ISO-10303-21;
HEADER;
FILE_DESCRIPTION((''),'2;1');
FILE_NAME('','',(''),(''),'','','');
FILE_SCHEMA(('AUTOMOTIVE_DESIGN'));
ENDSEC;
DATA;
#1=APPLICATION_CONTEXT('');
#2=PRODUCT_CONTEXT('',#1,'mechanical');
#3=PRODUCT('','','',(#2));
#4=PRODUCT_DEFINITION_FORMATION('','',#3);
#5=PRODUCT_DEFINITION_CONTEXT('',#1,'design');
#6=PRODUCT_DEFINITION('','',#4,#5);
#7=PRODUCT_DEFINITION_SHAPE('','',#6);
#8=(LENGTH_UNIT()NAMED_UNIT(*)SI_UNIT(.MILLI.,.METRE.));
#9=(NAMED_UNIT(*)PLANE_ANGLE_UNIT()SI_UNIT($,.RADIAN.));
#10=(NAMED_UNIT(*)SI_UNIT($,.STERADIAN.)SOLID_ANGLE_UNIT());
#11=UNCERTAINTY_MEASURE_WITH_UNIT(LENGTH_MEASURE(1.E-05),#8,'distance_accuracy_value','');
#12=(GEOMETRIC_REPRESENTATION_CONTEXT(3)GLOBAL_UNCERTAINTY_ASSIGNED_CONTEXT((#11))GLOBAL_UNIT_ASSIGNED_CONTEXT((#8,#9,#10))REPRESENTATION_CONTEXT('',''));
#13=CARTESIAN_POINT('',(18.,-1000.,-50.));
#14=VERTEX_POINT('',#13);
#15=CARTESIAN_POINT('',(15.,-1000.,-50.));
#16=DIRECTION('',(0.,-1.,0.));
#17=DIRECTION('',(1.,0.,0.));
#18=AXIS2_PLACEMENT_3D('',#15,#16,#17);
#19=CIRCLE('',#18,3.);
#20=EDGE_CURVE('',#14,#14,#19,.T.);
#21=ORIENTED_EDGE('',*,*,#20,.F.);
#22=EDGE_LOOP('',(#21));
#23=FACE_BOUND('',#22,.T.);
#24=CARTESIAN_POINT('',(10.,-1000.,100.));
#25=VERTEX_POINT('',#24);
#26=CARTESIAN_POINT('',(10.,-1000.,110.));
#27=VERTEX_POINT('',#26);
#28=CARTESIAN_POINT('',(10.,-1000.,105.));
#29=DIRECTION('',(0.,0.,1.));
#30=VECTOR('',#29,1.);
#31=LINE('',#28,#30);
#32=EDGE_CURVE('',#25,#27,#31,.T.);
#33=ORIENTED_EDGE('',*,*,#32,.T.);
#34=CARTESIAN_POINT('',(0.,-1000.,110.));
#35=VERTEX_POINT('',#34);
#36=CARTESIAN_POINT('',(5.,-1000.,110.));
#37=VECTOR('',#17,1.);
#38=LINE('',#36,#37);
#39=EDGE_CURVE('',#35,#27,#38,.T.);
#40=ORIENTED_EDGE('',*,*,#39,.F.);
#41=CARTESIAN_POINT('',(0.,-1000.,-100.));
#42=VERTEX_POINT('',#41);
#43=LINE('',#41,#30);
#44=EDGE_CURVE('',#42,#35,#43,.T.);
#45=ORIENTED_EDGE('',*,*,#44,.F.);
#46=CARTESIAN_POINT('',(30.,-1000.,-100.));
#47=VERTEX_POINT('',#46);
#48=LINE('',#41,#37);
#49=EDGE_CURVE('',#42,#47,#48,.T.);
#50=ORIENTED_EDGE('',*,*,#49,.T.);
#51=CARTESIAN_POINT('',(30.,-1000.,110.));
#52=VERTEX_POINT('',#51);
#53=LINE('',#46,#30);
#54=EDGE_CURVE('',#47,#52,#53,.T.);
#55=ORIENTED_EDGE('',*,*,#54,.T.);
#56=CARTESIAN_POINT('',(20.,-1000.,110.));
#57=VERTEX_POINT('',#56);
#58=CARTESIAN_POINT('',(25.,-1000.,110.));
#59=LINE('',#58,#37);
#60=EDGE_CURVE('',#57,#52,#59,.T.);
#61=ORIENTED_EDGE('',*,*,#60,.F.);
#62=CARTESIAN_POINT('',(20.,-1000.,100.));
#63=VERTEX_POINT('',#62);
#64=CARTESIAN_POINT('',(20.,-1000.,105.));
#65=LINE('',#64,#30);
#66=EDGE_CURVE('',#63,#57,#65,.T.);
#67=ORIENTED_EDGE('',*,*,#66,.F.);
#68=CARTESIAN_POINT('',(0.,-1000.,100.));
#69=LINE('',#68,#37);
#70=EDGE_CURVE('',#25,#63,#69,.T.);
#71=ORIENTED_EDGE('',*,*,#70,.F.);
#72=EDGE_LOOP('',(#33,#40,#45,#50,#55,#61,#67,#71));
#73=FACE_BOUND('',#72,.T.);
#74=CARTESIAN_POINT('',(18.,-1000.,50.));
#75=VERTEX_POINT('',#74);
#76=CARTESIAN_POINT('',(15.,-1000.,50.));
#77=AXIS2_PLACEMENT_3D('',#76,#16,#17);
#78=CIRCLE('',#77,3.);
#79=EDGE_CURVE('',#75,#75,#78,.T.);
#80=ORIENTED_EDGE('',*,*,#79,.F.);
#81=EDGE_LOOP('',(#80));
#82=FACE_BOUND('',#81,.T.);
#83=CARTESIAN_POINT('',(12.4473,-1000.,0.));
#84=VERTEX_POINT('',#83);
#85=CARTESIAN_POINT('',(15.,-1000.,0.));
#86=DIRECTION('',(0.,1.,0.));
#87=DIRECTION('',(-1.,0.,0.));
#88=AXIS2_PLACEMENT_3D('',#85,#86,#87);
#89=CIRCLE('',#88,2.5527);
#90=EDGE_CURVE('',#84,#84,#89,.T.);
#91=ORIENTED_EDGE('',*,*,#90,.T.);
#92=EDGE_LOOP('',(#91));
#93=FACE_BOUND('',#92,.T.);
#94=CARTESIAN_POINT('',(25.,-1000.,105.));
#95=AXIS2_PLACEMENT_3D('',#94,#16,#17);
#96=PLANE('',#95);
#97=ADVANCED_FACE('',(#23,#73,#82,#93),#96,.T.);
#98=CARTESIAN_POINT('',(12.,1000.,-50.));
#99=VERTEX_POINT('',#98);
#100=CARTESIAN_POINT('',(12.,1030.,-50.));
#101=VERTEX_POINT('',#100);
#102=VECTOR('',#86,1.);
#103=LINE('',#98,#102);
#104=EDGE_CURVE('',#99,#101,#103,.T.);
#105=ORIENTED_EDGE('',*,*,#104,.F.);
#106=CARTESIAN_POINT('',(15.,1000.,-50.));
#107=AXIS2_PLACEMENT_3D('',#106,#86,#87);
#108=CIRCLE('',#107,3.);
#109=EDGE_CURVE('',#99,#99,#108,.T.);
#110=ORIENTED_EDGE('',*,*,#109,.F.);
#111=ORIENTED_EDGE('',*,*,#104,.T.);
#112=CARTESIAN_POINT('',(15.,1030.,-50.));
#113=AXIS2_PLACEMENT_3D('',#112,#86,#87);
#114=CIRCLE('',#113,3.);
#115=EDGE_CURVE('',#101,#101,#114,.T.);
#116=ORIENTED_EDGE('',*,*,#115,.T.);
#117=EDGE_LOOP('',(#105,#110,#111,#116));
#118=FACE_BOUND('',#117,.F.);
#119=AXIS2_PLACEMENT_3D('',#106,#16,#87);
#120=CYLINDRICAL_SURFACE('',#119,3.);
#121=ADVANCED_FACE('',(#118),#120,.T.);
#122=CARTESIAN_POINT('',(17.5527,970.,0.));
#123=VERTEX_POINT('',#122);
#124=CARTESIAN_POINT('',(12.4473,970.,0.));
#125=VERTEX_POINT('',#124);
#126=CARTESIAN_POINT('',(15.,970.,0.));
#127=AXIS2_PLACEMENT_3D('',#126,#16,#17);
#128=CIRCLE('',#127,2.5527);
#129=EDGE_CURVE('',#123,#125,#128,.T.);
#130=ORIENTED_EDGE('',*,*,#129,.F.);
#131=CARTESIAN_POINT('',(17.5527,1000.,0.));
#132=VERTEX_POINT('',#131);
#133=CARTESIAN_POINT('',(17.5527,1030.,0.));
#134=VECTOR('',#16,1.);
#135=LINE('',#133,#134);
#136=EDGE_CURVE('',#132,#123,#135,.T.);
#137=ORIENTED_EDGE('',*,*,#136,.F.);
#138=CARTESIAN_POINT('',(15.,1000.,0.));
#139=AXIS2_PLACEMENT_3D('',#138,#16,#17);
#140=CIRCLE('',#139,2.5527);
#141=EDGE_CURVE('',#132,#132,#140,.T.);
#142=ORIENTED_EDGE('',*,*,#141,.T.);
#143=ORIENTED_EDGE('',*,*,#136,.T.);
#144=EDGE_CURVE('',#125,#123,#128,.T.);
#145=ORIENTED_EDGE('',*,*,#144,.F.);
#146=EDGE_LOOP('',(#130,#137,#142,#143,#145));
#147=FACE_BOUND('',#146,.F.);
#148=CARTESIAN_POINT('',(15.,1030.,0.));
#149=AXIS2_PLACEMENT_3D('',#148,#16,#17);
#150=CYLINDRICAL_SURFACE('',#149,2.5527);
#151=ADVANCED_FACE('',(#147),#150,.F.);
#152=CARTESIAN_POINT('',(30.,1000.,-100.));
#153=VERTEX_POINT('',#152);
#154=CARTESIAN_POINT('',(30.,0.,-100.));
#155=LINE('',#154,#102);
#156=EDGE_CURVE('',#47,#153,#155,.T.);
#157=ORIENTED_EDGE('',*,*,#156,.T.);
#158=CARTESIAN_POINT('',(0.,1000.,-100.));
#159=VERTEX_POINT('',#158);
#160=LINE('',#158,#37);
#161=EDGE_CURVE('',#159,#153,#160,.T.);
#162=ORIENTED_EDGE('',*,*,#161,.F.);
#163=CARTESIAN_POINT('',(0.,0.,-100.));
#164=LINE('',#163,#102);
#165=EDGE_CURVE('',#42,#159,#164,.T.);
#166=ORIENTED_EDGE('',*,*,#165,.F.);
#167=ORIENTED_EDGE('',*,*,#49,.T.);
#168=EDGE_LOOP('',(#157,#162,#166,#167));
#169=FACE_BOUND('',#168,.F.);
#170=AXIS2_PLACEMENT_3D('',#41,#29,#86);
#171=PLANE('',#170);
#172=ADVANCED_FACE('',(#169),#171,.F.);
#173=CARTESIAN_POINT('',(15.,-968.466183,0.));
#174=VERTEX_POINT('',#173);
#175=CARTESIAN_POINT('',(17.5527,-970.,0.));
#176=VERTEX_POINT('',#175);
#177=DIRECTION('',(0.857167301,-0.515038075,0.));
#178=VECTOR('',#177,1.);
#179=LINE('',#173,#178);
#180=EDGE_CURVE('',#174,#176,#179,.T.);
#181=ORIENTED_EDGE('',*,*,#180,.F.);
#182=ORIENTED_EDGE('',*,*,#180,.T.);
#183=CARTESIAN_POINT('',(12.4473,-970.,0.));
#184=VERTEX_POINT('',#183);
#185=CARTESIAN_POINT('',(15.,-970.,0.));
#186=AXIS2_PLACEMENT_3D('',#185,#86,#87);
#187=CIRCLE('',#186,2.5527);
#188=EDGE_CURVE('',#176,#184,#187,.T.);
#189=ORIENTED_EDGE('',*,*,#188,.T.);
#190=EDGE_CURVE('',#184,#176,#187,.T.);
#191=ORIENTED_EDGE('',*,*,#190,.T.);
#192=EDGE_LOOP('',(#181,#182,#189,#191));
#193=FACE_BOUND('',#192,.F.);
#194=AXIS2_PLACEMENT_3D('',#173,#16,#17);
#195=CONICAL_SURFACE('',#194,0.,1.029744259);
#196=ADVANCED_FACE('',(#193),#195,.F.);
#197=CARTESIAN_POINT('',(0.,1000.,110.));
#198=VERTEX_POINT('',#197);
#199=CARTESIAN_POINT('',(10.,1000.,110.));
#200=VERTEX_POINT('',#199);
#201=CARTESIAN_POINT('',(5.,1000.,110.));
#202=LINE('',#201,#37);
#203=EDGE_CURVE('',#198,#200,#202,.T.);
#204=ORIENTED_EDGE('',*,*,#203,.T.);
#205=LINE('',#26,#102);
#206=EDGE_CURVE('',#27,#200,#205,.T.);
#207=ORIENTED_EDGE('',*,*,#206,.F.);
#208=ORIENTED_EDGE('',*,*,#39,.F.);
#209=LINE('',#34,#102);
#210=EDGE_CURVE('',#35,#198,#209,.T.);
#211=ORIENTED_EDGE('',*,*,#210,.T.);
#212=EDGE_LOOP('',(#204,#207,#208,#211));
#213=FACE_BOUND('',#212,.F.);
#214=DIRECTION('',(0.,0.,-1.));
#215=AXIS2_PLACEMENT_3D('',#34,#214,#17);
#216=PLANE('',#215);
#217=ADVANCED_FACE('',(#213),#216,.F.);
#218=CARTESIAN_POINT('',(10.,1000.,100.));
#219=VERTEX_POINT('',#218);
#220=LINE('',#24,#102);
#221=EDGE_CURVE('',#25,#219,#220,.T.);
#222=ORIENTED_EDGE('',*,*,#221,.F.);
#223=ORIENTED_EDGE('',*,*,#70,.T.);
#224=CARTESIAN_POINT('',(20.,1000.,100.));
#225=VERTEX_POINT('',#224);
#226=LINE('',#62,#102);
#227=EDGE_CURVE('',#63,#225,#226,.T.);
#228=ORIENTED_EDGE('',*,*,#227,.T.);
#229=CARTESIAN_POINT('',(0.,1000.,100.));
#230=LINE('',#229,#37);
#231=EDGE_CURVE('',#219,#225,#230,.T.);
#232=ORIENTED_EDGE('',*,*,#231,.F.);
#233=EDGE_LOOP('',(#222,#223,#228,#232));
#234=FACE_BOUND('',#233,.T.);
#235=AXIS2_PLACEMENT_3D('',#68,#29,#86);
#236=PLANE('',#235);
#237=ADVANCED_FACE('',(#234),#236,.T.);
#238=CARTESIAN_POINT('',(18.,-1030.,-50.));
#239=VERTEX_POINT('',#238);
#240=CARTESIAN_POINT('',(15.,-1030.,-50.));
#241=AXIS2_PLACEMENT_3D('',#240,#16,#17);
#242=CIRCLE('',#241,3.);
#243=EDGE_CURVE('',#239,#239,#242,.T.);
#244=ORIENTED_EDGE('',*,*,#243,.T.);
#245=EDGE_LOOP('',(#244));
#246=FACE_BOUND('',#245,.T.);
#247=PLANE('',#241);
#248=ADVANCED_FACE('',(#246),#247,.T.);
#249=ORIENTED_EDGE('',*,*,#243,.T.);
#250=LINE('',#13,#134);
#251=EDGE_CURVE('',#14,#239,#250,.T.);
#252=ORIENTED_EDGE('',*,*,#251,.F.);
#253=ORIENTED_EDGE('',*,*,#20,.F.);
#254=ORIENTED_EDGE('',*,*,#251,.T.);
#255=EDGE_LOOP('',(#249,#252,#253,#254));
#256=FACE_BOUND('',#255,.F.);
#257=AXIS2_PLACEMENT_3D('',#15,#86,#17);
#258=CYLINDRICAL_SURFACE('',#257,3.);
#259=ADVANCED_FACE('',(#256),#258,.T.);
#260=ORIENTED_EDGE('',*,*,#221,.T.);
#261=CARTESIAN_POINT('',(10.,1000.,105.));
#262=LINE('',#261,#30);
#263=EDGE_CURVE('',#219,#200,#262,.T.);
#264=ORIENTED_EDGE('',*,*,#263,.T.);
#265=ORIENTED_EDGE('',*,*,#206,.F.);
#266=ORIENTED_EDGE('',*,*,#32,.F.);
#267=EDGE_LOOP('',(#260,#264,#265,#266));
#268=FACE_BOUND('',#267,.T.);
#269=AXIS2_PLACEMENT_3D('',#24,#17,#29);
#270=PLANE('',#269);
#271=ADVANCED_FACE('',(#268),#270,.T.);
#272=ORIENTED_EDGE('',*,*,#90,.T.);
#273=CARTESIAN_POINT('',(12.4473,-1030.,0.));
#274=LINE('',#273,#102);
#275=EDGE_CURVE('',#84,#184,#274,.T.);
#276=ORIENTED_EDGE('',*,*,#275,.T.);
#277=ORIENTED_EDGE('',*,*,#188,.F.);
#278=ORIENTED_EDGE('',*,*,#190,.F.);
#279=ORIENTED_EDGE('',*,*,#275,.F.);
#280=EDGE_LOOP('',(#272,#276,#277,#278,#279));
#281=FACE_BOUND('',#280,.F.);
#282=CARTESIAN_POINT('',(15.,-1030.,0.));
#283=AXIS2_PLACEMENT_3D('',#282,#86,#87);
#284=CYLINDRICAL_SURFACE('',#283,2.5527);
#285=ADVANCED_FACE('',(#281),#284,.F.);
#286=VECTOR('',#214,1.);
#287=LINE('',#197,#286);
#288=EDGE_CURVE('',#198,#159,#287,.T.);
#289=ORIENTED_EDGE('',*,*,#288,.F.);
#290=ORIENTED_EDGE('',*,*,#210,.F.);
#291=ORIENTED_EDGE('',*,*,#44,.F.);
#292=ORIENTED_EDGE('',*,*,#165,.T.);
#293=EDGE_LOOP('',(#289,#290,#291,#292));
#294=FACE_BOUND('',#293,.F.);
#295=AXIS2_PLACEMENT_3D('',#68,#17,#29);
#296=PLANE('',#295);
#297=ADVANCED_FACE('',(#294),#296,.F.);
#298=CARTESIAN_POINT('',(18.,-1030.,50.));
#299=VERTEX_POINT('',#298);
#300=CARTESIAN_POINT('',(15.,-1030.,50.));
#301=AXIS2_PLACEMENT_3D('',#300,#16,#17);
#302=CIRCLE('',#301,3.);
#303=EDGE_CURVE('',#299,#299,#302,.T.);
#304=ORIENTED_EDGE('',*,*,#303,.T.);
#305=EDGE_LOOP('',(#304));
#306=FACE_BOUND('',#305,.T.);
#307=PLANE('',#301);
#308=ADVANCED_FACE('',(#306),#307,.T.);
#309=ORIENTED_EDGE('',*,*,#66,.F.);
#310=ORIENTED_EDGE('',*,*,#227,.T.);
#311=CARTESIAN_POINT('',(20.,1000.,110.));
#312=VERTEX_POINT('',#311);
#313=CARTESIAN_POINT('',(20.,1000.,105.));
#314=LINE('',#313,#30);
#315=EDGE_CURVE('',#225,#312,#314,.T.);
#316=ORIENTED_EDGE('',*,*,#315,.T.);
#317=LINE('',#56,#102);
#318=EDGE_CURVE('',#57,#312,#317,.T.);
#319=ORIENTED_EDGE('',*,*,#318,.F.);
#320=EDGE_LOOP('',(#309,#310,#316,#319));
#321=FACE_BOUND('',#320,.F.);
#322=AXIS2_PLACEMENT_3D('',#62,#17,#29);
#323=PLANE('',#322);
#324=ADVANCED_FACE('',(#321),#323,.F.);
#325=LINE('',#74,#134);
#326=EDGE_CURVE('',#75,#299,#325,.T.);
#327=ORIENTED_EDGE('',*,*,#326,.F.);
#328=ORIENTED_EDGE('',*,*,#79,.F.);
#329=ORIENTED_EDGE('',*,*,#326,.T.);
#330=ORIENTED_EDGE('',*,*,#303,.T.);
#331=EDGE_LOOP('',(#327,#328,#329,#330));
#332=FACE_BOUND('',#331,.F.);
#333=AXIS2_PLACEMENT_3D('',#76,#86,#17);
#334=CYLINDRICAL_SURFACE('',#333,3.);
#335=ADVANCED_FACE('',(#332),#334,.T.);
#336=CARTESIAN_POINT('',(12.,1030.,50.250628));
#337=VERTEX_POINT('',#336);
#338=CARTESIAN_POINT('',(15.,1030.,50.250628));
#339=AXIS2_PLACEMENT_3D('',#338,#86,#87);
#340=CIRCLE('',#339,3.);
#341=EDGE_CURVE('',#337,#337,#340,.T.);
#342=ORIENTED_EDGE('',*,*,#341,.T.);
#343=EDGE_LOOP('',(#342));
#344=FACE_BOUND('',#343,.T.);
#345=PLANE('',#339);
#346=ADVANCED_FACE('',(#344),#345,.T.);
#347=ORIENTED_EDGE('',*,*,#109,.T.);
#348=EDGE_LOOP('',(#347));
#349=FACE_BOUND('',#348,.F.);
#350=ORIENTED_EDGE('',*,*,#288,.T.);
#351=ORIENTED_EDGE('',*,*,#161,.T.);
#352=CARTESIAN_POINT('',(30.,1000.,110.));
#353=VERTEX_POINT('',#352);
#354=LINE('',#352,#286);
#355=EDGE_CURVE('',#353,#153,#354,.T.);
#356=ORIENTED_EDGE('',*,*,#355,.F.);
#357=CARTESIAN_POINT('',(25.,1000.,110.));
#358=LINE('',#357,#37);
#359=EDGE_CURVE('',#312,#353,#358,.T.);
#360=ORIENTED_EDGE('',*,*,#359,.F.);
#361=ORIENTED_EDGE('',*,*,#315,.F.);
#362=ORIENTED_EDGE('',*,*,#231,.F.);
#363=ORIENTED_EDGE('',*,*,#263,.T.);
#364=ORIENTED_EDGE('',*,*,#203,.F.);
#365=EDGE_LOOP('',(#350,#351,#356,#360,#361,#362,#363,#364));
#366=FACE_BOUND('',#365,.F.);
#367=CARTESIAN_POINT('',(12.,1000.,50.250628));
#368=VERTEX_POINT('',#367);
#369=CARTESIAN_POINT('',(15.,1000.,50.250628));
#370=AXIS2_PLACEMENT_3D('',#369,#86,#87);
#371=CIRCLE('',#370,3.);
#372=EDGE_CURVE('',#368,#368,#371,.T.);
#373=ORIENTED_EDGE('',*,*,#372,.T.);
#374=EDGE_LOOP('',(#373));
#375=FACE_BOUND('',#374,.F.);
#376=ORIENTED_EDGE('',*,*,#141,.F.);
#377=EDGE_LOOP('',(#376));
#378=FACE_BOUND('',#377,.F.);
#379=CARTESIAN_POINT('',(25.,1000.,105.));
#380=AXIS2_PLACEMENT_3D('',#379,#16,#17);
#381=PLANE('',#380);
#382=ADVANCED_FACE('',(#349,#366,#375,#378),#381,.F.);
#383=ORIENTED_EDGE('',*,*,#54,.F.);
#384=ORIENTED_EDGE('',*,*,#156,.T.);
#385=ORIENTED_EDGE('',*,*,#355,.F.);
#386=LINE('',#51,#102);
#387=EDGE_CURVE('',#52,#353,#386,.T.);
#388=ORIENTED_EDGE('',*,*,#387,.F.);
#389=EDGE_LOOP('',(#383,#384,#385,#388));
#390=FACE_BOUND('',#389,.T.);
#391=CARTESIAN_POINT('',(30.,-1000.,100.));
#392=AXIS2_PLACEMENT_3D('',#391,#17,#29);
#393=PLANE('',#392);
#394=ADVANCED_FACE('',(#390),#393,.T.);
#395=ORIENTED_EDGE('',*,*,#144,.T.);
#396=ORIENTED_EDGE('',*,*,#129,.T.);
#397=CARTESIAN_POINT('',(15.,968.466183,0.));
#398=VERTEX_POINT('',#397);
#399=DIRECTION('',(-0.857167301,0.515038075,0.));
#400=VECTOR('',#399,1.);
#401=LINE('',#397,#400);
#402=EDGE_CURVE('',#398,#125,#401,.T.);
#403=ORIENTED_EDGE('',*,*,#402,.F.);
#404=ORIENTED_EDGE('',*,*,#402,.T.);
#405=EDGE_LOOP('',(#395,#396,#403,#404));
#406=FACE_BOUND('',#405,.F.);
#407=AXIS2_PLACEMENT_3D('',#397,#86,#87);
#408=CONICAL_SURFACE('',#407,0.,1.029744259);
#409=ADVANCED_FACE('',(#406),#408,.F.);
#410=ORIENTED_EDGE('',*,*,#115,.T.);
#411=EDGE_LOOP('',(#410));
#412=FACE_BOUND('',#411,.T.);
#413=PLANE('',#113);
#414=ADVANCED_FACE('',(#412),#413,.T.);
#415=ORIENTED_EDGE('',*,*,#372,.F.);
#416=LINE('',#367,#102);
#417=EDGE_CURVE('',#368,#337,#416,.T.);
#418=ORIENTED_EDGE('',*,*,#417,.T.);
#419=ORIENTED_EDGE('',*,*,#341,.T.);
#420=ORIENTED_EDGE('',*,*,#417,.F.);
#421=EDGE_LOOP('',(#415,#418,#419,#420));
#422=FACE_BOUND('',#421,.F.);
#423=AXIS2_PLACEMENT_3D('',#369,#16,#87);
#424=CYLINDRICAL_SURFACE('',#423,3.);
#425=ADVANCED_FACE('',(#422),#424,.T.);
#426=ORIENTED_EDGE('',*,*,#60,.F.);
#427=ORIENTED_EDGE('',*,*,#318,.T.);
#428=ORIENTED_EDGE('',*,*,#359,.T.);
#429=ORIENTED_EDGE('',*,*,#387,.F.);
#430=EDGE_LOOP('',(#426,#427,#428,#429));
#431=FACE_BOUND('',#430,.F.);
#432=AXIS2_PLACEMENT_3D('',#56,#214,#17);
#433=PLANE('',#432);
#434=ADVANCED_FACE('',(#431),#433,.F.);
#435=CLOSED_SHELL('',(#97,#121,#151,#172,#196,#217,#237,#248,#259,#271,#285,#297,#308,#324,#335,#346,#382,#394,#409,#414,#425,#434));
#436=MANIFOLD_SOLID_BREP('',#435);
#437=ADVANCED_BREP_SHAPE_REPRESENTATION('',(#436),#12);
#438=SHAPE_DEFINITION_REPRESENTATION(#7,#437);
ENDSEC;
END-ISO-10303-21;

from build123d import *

# Parameters (mm, degrees)
F0_W      = 2000
F0_H      = 200
F1_DEPTH  = 30
F2_W      = 10
F2_H      = 10
F3_DEPTH  = 2000
F5_R      = 3
F6_DEPTH  = 30
F7_R      = 3
F8_DEPTH  = 30
F4_W      = 10
F4_H      = 10
F9_DEPTH  = 2000
F11_D     = 5.1054
F11_DEPTH = 30
F11_TIP   = 1.5338169022
F13_D     = 5.1054
F13_DEPTH = 30
F13_TIP   = 1.5338169022


with BuildPart() as f1:
    # F0 (on Right) → F1 (new body)
    with BuildSketch(Plane.YZ):
        Rectangle(F0_W, F0_H)
    extrude(amount=F1_DEPTH)

    # F2 (on face) → F3 (join)
    with BuildSketch(Plane.XZ.offset(1000)):
        with Locations((5, 105)):
            Rectangle(F2_W, F2_H)
    extrude(amount=-F3_DEPTH)

    # F5 (on face) → F6 (join)
    with BuildSketch(Plane(origin=(0, 1000, 0), x_dir=(-1, 0, 0), z_dir=(0, 1, 0))):
        with Locations((-15, -50)):
            Circle(F5_R)
        with Locations((-15, 50.2506281447)):
            Circle(F5_R)
    extrude(amount=F6_DEPTH)

    # F7 (on face) → F8 (join)
    with BuildSketch(Plane.XZ.offset(1000)):
        with Locations((15, 50)):
            Circle(F7_R)
        with Locations((15, -50)):
            Circle(F7_R)
    extrude(amount=F8_DEPTH)

    # F4 (on face) → F9 (join)
    with BuildSketch(Plane.XZ.offset(1000)):
        with Locations((25, 105)):
            Rectangle(F4_W, F4_H)
    extrude(amount=-F9_DEPTH)

    # F11
    with Locations(Plane.XZ.offset(1000)):
        with Locations((15, 0)):
            Hole(F11_D / 2, depth=F11_DEPTH)
            with Locations((0, 0, -(F11_DEPTH + F11_TIP / 2))):  # 118° drill point
                Cone(0, F11_D / 2, F11_TIP, mode=Mode.SUBTRACT)

    # F13
    with Locations(Plane(origin=(0, 1000, 0), x_dir=(-1, 0, 0), z_dir=(0, 1, 0))):
        with Locations((-15, 0)):
            Hole(F13_D / 2, depth=F13_DEPTH)
            with Locations((0, 0, -(F13_DEPTH + F13_TIP / 2))):  # 118° drill point
                Cone(0, F13_D / 2, F13_TIP, mode=Mode.SUBTRACT)


solid = f1.part
